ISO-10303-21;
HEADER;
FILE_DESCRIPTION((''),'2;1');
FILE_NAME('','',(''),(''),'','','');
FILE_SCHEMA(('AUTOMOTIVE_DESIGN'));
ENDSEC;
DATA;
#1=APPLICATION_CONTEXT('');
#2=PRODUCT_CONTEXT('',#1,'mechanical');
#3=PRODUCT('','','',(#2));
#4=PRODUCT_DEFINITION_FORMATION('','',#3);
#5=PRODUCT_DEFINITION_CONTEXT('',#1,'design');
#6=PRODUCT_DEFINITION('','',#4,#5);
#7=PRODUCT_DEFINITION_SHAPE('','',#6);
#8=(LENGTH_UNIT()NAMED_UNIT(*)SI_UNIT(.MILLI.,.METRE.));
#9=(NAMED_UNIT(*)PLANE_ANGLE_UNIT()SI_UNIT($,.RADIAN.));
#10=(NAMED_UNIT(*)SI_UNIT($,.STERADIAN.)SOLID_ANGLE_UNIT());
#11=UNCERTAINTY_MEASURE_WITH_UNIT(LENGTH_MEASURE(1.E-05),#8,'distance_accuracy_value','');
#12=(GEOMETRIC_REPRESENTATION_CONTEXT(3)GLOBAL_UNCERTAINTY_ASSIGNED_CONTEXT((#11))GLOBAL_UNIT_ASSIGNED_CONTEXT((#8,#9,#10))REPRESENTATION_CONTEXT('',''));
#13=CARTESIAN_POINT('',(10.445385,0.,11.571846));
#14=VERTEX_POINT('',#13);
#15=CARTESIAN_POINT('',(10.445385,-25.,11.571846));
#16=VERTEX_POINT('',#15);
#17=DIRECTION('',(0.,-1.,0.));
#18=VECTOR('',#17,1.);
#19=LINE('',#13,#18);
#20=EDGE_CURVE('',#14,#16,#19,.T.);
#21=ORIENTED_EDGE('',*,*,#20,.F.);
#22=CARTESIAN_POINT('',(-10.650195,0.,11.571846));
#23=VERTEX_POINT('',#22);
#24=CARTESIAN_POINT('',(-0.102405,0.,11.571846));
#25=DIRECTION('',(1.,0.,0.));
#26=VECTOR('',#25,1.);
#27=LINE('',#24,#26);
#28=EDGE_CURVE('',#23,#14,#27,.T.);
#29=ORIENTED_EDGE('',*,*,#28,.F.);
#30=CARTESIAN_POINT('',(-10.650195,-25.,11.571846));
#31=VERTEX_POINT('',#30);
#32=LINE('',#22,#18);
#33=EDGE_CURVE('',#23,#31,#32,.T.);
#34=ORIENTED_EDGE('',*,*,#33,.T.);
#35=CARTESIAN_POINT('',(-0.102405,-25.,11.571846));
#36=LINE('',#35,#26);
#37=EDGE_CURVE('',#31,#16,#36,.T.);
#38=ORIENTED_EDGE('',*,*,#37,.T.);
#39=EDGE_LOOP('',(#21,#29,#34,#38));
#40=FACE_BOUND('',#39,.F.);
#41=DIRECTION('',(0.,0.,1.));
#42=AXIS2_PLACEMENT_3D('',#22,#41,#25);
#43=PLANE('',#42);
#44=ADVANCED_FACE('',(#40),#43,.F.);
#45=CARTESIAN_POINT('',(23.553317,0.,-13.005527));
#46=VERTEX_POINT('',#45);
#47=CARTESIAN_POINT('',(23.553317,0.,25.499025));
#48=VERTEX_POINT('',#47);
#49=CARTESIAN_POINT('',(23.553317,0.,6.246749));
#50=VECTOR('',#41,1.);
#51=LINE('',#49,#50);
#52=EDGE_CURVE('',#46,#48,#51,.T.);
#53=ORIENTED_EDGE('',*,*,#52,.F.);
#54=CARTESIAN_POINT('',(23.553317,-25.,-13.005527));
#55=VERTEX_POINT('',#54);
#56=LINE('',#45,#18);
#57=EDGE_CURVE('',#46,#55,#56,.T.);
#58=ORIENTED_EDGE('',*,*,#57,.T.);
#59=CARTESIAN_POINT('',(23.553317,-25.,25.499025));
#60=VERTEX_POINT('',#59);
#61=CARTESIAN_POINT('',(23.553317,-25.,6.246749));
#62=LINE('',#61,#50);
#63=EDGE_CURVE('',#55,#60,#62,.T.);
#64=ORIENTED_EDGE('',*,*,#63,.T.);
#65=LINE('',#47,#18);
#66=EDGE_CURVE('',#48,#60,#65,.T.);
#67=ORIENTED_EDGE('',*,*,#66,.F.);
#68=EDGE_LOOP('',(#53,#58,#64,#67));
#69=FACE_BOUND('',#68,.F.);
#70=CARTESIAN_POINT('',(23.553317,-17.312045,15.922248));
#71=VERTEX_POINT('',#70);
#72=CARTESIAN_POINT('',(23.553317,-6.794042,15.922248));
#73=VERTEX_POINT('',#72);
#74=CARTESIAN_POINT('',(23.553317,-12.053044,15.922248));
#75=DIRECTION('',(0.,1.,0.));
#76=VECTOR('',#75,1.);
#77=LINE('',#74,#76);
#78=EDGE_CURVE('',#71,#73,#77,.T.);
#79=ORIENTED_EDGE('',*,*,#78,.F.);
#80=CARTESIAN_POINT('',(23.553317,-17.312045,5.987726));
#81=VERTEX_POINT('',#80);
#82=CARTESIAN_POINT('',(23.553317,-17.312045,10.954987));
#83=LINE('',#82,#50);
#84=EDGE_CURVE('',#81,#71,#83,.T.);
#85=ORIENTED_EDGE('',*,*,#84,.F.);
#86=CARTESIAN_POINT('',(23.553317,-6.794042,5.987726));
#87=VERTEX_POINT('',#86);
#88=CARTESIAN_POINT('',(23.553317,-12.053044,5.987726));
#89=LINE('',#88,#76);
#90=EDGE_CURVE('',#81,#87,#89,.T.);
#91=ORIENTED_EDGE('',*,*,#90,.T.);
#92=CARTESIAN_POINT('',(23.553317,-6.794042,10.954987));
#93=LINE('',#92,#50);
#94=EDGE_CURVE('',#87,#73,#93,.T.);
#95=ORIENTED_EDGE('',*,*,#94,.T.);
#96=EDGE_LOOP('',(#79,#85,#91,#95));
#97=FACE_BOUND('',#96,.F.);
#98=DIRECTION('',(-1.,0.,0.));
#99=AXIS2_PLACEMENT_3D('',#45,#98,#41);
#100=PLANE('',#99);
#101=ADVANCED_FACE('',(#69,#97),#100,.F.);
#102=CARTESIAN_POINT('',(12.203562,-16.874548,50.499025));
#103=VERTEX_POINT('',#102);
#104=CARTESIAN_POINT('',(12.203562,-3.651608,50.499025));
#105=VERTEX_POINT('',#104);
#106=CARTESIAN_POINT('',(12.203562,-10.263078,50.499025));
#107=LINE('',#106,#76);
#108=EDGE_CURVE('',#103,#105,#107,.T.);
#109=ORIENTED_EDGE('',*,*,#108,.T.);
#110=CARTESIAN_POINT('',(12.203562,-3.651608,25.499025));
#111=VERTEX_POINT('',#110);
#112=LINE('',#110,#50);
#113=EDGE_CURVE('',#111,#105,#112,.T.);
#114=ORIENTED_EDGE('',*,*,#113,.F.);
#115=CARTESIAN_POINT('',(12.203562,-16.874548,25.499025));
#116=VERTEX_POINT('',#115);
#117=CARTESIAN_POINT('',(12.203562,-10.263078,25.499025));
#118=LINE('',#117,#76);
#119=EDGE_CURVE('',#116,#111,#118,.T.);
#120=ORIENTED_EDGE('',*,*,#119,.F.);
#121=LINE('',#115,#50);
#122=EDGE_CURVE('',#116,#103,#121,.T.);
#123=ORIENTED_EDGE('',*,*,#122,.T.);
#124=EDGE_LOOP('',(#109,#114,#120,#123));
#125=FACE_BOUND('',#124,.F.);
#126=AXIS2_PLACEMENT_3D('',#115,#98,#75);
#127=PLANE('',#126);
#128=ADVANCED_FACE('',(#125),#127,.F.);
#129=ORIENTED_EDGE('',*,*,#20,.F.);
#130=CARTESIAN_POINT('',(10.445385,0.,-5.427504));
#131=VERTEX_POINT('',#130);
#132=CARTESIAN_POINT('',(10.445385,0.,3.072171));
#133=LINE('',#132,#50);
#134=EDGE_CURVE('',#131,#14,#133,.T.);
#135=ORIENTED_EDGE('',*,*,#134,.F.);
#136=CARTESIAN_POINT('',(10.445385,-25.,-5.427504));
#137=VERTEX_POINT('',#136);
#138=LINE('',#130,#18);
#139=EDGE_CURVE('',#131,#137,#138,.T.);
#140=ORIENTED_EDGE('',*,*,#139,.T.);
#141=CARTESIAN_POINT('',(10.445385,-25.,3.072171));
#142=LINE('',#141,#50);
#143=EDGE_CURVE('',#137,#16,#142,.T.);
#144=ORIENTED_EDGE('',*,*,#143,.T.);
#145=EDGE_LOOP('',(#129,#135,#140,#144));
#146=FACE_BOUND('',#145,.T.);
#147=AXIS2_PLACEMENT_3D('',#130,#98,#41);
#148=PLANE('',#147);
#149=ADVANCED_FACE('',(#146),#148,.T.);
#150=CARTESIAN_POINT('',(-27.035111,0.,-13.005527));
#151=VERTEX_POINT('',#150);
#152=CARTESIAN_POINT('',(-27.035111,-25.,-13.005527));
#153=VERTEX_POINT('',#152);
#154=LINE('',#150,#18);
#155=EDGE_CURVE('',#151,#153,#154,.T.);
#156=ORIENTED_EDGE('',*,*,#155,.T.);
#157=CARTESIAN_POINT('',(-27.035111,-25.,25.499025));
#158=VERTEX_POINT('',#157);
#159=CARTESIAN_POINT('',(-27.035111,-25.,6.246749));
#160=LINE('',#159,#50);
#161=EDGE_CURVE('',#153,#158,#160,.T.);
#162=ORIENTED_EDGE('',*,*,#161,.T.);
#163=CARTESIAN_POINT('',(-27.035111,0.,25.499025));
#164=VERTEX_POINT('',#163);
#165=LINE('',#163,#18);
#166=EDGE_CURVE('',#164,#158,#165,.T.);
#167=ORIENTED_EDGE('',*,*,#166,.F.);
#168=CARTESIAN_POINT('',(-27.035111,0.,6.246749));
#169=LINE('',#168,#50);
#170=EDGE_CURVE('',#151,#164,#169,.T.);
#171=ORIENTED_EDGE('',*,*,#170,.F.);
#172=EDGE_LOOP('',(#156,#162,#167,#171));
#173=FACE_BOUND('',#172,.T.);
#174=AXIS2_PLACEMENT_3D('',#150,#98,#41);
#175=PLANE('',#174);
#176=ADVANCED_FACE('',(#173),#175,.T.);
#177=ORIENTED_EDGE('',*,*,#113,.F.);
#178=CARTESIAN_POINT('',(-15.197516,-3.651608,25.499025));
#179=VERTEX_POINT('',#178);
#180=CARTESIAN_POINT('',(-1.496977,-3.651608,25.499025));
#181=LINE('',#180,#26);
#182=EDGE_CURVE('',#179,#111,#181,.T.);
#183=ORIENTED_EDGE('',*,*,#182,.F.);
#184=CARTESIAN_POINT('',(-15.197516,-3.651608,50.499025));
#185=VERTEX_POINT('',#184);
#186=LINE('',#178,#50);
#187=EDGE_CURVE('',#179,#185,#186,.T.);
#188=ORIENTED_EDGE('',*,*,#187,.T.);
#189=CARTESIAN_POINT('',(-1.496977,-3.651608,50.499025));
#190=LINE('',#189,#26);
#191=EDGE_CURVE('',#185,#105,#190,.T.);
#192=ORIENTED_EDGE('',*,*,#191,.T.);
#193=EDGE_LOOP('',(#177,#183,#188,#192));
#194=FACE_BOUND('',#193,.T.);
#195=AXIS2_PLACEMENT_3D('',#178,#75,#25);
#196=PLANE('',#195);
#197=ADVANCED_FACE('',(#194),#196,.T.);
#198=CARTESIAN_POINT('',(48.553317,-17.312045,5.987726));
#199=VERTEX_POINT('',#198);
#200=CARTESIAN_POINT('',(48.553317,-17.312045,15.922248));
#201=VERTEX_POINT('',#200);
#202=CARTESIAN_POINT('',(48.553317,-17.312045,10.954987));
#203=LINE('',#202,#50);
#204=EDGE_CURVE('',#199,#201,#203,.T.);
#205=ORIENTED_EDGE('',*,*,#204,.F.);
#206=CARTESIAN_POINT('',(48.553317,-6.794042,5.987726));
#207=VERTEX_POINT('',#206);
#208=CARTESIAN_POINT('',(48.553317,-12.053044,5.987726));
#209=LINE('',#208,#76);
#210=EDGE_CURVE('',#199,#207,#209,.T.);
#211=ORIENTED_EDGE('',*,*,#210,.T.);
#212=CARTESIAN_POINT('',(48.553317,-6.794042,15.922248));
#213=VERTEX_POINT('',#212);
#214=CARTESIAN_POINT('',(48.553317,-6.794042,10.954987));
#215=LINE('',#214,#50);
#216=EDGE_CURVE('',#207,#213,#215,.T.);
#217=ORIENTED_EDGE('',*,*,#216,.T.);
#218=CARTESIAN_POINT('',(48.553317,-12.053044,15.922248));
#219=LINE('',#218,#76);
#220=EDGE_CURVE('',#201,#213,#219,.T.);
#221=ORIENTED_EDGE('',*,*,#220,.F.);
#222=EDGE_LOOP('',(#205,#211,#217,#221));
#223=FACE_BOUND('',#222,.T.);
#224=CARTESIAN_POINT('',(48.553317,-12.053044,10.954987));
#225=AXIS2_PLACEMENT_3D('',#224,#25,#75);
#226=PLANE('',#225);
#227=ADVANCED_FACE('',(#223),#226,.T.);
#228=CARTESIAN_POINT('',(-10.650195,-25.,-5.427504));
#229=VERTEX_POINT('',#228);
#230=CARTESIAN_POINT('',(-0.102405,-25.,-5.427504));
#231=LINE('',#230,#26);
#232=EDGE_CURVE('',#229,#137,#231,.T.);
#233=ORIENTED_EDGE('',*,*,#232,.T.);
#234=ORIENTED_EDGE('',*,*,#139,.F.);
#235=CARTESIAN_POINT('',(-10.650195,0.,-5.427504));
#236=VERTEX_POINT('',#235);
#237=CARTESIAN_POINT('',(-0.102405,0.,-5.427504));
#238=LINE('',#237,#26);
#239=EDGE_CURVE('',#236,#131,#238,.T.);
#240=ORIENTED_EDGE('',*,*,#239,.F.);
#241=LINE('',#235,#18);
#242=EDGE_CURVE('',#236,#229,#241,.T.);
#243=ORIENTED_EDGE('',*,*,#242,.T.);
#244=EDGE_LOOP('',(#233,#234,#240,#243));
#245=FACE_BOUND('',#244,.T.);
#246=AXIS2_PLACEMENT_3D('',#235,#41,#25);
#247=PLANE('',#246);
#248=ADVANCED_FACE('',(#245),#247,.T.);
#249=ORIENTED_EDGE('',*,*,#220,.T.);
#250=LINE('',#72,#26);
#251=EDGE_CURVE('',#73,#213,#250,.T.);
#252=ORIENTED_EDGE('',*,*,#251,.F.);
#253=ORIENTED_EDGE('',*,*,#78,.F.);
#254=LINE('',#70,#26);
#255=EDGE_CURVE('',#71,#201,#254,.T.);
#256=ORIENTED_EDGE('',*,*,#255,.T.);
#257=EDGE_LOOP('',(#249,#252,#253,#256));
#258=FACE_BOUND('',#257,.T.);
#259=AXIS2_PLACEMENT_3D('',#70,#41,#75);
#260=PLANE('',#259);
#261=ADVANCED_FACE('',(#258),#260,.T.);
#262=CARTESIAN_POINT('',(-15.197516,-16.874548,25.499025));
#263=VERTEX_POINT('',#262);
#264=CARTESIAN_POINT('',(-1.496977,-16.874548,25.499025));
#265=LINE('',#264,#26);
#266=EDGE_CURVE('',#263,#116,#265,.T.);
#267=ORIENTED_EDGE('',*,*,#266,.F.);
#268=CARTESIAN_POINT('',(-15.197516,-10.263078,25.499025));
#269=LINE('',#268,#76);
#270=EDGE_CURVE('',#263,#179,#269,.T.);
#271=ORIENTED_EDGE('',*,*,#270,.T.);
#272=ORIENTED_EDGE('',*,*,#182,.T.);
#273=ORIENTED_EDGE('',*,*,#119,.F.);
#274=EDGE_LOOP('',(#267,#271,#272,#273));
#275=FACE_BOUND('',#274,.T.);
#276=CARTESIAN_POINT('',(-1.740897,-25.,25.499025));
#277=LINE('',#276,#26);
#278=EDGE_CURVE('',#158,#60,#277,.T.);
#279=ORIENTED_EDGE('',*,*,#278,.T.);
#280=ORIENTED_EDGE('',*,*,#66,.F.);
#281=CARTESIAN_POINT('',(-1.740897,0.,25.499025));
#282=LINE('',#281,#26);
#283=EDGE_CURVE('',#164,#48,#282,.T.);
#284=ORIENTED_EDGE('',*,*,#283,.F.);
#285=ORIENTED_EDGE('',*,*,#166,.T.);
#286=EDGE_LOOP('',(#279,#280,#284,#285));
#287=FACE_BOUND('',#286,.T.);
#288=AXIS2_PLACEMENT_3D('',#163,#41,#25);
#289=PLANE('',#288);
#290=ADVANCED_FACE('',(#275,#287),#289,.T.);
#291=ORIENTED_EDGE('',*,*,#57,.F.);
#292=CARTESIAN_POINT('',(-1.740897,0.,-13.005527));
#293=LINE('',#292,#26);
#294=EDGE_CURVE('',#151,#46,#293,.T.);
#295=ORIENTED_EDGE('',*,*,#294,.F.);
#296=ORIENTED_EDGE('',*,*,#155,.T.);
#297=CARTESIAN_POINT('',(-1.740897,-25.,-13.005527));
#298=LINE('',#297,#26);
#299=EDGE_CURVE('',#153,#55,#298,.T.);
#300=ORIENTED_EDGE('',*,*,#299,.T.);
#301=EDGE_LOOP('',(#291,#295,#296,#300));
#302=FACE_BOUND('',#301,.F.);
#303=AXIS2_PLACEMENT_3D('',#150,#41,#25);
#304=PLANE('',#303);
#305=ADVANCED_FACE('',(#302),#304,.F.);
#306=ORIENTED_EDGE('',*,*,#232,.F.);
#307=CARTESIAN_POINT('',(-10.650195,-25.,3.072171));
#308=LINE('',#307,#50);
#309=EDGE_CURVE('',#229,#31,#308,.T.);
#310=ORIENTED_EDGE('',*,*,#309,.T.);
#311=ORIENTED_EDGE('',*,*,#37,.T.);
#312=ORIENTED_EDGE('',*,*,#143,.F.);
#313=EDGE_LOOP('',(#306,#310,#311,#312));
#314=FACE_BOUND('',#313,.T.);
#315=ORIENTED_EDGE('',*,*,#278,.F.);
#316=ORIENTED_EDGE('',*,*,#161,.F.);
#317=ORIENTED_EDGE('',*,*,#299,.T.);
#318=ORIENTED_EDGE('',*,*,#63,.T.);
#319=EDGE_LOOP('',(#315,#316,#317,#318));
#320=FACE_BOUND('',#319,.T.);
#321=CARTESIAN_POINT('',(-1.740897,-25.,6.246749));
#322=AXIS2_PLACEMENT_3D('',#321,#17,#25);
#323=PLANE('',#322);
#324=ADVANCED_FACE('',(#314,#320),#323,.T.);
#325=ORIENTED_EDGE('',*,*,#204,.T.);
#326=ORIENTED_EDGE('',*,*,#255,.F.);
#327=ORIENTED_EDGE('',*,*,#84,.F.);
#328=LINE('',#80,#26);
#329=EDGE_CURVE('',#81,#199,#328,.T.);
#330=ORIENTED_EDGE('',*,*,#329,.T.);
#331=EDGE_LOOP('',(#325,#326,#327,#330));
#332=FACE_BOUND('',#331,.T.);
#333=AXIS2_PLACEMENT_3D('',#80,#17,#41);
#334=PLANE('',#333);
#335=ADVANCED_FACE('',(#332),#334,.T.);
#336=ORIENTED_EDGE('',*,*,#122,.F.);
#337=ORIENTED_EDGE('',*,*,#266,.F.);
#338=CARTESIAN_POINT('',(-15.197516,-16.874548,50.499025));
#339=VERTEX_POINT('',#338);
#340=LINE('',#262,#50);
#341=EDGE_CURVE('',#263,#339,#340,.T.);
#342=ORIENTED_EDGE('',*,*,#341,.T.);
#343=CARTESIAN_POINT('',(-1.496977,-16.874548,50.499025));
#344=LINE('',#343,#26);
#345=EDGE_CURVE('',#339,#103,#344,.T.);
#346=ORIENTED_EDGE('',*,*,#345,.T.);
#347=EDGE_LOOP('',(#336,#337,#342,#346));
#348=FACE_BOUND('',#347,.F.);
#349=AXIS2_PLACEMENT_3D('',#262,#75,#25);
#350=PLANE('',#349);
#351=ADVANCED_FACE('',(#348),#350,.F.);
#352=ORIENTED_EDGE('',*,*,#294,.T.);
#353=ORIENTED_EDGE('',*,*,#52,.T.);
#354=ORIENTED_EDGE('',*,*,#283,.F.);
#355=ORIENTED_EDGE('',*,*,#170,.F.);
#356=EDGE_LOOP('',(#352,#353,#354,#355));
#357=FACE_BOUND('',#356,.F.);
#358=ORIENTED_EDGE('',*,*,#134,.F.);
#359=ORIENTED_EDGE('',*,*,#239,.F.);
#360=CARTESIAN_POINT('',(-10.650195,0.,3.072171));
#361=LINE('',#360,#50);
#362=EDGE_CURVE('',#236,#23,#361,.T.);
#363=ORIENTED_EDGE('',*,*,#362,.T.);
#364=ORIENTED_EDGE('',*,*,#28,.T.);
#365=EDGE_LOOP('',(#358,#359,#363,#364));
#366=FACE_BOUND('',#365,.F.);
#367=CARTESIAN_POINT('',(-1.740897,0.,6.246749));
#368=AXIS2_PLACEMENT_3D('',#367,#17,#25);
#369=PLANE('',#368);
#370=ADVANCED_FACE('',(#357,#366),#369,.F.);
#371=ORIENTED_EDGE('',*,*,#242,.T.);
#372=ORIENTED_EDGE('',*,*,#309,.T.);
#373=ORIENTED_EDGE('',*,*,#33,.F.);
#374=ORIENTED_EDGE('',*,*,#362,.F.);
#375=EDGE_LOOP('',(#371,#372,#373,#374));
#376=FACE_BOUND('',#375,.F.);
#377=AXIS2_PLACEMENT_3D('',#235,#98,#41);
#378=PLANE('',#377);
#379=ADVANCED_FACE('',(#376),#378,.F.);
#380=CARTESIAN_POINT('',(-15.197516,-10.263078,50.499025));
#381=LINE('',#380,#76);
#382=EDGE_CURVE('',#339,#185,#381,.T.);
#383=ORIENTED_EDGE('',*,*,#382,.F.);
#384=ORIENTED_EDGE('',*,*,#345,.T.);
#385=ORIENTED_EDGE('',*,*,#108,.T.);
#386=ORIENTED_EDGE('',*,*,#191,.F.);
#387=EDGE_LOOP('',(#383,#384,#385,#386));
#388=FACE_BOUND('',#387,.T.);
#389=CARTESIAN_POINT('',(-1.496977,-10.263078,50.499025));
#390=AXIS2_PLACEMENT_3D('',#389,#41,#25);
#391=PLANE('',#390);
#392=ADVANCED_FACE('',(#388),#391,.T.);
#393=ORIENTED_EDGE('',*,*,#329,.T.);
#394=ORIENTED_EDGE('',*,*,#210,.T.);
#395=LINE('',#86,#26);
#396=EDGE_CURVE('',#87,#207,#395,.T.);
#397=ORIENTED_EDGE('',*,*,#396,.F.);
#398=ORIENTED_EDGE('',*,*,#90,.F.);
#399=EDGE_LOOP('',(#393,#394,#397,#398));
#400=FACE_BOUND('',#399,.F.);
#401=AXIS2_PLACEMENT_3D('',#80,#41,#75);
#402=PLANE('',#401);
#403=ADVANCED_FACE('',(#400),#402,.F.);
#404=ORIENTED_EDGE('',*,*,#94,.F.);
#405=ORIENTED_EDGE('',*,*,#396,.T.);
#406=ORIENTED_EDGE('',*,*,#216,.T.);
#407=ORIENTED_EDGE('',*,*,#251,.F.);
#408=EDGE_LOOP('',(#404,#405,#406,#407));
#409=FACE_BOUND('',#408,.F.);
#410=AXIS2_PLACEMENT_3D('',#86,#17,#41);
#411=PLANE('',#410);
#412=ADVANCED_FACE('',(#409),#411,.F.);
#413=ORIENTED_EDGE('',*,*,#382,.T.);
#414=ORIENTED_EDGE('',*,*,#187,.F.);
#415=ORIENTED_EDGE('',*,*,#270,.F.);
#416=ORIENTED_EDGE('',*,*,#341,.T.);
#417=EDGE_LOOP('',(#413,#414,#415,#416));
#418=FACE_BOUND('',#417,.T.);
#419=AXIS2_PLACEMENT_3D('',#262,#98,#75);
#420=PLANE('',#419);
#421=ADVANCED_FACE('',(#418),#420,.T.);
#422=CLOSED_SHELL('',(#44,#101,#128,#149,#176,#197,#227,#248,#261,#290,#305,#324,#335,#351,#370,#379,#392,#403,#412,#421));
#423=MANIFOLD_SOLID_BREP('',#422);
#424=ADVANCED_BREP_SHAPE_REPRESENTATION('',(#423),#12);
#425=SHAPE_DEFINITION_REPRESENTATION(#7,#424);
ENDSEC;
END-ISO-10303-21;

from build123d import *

# Parameters (mm, degrees)
F0_W     = 50.588429
F0_H     = 38.504552
F0_W_2   = 21.09558
F0_H_2   = 16.999349
F1_DEPTH = 25
F2_W     = 27.401078
F2_H     = 13.22294
F3_DEPTH = 25
F4_W     = 10.518003
F4_H     = 9.934522
F5_DEPTH = 25


with BuildPart() as f1:
    # F0 (on Front) → F1 (new body)
    with BuildSketch(Plane.XZ):
        with Locations((-1.740897, 6.246749)):
            Rectangle(F0_W, F0_H)
        with Locations((-0.102405, 3.072171)):
            Rectangle(F0_W_2, F0_H_2, mode=Mode.SUBTRACT)
    extrude(amount=F1_DEPTH)

    # F2 (on face) → F3 (join)
    with BuildSketch(Plane.XY.offset(25.499025)):
        with Locations((-1.496977, -10.263078)):
            Rectangle(F2_W, F2_H)
    extrude(amount=F3_DEPTH)

    # F4 (on face) → F5 (join)
    with BuildSketch(Plane.YZ.offset(23.553317)):
        with Locations((-12.053044, 10.954987)):
            Rectangle(F4_W, F4_H)
    extrude(amount=F5_DEPTH)


solid = f1.part
